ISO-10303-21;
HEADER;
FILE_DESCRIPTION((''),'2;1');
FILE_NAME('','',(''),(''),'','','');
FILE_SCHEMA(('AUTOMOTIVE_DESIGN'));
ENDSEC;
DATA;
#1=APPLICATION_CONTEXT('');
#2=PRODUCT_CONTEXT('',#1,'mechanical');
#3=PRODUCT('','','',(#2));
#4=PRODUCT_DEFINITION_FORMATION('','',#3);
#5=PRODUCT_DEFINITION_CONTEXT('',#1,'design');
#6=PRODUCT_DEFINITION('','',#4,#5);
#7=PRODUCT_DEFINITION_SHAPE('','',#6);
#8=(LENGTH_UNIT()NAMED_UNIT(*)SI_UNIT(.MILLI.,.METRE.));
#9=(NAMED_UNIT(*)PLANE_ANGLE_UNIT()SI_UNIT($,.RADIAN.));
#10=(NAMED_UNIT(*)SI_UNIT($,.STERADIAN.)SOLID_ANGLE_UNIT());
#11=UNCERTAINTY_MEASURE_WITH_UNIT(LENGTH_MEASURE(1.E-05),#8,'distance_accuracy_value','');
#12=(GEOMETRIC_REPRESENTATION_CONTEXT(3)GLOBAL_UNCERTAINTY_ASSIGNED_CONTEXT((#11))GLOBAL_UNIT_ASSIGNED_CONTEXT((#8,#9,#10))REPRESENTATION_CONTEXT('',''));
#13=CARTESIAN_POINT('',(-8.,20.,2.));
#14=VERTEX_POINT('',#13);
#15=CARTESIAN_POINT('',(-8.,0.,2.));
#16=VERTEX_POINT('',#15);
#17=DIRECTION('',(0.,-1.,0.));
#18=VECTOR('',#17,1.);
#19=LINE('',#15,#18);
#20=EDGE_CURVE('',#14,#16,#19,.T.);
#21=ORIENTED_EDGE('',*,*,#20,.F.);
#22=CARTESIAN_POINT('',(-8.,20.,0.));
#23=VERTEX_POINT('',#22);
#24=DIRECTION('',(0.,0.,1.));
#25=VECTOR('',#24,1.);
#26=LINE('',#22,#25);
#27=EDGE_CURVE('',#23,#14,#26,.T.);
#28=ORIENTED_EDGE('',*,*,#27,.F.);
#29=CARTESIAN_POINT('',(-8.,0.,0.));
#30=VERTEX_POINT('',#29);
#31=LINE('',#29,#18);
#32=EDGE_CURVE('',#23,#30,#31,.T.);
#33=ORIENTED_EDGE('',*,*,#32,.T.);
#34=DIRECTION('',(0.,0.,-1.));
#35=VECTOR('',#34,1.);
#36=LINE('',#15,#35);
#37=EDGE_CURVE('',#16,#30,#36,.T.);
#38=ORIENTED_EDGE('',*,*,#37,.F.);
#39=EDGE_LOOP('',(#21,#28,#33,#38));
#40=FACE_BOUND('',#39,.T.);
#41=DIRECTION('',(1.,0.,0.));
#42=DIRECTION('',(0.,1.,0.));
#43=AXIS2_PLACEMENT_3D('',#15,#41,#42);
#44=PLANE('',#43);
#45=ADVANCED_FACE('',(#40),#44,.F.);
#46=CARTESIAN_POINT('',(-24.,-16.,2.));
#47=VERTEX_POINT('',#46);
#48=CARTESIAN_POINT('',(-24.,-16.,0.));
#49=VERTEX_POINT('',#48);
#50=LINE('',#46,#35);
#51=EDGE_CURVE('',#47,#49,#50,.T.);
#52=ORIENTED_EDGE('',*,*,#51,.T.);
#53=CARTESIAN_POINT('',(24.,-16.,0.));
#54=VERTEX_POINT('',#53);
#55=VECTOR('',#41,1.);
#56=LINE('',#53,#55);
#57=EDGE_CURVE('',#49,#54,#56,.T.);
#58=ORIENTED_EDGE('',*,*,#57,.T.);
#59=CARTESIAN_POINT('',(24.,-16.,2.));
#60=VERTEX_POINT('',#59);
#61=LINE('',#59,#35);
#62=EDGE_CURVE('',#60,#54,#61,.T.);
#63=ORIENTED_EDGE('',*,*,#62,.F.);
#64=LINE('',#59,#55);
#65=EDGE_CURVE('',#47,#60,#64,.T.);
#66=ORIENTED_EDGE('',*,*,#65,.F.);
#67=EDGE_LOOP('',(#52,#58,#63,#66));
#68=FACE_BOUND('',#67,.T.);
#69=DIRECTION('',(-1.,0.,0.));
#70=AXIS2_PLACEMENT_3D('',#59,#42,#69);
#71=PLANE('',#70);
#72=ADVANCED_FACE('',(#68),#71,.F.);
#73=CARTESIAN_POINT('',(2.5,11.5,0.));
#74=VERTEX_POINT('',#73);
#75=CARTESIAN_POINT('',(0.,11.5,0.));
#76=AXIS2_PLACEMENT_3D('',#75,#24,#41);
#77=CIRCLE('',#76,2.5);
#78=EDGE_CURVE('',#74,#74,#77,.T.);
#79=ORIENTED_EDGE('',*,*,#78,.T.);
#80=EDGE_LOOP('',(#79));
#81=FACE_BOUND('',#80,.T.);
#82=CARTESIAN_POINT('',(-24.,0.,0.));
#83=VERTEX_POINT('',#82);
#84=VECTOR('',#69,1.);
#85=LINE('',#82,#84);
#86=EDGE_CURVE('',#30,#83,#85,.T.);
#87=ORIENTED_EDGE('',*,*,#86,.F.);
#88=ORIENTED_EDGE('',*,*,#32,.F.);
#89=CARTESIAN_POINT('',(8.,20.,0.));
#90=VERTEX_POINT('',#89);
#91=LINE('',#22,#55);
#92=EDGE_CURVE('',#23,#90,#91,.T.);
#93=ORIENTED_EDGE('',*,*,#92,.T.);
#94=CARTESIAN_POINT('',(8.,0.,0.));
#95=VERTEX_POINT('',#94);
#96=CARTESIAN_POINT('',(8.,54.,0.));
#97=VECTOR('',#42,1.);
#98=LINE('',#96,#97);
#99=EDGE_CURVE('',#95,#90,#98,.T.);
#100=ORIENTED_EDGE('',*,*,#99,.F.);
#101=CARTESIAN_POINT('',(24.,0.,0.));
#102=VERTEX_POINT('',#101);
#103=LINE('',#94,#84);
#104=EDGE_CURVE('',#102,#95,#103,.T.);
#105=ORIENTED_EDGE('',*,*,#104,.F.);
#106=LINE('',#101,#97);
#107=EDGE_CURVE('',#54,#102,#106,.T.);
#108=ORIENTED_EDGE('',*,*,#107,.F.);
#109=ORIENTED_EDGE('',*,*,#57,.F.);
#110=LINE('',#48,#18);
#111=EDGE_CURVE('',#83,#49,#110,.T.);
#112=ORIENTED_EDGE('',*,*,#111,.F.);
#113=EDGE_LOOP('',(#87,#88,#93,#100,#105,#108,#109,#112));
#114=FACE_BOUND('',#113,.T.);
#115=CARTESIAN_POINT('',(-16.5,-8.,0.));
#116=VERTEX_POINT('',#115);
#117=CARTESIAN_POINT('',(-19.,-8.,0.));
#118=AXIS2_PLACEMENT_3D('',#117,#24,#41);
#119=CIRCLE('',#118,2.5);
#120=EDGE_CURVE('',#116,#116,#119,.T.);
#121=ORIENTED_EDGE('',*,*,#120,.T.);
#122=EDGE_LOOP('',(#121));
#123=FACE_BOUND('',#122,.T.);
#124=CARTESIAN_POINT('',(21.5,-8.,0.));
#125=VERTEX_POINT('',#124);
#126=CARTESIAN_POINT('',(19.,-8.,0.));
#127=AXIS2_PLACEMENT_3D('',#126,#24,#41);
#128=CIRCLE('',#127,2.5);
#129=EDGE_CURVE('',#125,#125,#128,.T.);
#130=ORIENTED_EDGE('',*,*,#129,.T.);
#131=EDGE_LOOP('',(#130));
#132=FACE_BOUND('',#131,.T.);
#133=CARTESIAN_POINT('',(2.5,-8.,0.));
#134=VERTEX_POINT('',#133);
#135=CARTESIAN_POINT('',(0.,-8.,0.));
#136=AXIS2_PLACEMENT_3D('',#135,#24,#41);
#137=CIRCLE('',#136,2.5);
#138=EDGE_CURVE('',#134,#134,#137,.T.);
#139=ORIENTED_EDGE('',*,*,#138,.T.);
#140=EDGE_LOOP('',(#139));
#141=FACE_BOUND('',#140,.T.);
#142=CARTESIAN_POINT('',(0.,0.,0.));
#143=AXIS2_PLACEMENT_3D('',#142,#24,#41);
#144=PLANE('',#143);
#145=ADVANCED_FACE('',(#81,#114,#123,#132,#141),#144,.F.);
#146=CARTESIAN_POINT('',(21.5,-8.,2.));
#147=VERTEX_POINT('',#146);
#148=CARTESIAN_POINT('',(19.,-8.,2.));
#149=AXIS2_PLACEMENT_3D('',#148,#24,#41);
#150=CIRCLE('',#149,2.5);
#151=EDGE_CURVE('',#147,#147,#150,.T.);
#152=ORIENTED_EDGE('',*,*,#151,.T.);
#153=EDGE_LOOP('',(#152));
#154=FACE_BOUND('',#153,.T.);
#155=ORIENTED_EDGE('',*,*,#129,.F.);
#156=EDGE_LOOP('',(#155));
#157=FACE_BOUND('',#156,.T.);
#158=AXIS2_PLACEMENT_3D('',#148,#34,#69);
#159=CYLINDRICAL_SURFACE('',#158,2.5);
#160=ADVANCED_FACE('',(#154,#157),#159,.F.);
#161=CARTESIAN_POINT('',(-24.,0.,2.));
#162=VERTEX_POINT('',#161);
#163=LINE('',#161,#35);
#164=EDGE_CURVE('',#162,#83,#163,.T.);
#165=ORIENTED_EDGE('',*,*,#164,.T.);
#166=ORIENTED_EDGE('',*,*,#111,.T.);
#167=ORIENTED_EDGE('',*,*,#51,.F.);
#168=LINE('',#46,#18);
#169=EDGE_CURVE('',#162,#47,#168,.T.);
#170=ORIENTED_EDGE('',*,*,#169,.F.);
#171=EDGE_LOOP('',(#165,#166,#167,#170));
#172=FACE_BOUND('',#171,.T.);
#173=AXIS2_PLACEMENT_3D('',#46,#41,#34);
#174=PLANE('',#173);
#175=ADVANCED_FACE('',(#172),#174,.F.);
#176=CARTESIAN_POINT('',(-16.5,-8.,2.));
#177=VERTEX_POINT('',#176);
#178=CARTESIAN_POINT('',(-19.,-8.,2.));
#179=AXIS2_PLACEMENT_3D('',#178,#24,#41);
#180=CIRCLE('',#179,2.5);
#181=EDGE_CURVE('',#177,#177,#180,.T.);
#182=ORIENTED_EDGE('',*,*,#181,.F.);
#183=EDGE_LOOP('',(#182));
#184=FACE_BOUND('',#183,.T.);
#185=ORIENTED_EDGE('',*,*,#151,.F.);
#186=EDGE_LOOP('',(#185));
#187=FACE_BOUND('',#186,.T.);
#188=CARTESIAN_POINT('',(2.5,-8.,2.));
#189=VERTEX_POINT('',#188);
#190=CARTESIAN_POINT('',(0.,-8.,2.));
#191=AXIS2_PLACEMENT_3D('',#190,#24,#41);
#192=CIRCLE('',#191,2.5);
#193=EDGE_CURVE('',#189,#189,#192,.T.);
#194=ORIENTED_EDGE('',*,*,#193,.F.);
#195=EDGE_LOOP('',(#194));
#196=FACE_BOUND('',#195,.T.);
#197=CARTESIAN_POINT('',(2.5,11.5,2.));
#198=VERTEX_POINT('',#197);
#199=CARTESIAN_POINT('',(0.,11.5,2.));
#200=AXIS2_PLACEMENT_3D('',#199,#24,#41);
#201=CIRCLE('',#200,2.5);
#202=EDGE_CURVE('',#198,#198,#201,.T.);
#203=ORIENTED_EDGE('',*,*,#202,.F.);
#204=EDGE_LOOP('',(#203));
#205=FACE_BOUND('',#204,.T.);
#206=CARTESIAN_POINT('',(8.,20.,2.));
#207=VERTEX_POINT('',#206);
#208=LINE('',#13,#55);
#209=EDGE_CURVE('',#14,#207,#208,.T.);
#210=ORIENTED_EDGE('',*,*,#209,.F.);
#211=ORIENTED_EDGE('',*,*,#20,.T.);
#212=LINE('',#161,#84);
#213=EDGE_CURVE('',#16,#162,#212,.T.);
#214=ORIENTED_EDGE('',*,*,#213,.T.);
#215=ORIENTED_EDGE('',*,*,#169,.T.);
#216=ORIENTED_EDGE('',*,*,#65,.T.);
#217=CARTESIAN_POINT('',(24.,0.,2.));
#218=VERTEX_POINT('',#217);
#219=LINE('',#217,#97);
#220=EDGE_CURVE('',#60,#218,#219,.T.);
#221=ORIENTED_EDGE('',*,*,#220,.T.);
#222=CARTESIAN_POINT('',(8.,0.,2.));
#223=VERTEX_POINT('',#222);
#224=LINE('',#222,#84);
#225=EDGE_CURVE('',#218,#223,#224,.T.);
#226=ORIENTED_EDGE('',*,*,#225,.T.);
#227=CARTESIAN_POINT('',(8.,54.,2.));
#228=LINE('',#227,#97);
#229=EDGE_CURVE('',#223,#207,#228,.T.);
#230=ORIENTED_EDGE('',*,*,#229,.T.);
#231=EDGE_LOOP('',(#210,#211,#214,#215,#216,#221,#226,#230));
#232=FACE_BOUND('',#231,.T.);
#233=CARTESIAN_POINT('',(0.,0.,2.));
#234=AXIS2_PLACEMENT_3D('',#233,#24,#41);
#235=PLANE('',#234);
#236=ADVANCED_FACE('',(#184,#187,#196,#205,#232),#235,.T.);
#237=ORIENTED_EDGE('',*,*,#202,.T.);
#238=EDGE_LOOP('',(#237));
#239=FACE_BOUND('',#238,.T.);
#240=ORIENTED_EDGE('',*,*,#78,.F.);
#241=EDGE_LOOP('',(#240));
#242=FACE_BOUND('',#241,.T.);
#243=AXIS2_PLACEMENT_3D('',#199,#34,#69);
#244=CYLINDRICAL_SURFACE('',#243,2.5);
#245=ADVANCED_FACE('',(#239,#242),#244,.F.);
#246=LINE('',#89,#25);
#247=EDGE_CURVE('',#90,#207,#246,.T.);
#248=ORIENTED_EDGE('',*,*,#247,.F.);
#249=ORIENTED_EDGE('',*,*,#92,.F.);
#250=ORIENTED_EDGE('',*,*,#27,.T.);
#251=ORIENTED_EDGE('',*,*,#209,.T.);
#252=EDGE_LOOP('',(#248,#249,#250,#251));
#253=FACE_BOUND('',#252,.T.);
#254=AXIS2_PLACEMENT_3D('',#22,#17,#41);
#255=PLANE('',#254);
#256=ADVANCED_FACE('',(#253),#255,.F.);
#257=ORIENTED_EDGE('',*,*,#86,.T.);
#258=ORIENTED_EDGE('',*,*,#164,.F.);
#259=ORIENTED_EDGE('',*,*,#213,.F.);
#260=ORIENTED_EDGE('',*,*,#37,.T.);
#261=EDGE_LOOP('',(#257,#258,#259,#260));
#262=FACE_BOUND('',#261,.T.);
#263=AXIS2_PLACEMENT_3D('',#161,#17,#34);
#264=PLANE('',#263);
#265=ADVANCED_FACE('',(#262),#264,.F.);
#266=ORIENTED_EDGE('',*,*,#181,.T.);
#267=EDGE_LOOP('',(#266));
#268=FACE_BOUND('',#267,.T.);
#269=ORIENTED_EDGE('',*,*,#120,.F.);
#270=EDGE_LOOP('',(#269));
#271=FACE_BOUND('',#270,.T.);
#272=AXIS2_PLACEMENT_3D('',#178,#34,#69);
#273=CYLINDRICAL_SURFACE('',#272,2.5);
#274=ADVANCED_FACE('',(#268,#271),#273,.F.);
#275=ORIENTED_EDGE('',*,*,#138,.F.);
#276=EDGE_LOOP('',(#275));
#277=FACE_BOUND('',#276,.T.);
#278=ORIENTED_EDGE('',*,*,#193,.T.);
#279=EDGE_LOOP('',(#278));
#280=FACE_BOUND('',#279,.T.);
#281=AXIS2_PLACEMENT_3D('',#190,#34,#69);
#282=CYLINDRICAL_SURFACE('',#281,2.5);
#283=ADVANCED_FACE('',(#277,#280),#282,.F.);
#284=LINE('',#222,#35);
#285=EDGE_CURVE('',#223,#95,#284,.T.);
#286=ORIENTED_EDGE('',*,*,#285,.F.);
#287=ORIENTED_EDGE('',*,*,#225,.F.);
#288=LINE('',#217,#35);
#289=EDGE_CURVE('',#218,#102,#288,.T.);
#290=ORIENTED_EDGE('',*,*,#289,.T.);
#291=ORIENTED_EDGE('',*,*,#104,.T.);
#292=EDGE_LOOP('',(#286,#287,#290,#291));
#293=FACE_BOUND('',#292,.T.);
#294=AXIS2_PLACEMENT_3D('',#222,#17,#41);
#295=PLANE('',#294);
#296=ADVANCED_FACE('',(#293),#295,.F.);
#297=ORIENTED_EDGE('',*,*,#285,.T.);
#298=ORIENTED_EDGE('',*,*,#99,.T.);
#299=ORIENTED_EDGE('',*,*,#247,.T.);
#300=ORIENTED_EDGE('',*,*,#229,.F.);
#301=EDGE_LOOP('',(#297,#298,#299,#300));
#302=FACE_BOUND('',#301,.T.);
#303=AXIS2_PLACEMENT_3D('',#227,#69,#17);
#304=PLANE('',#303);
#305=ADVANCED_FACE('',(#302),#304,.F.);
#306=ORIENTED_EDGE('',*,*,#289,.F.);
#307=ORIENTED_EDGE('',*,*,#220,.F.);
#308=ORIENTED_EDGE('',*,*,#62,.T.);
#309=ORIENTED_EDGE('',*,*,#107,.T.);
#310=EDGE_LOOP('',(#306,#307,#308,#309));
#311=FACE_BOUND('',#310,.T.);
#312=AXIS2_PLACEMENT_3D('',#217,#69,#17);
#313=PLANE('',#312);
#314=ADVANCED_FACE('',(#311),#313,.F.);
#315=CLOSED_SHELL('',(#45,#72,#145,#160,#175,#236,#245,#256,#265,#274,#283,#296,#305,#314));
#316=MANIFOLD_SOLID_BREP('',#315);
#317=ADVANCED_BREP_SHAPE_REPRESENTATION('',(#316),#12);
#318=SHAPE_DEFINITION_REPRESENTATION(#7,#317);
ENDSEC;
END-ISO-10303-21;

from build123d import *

# Parameters (mm, degrees)
SKETCH2_R           = 2.5
EXTRUDE1_DEPTH      = 2
SKETCH_1_W          = 16
SKETCH_1_H          = 34
CUT_EXTRUDE_1_DEPTH = 60.126981996


with BuildPart() as part:
    # Sketch2 → Extrude1 (new body)
    with BuildSketch(Plane.XY):
        Polygon((-8, 0), (-8, 54), (8, 54), (8, 0), (24, 0), (24, -16), (-24, -16), (-24, 0), align=None)
        with Locations((19, -8)):
            Circle(SKETCH2_R, mode=Mode.SUBTRACT)
        with Locations((0, -8)):
            Circle(SKETCH2_R, mode=Mode.SUBTRACT)
        with Locations((-19, -8)):
            Circle(SKETCH2_R, mode=Mode.SUBTRACT)
        with Locations((0, 43.75)):
            Circle(SKETCH2_R, mode=Mode.SUBTRACT)
        with Locations((0, 11.5)):
            Circle(SKETCH2_R, mode=Mode.SUBTRACT)
    extrude(amount=EXTRUDE1_DEPTH)

    # Эскиз1 → Вырез-Вытянуть1 (cut, through all)
    with BuildSketch(Plane.XY.offset(2)):
        with Locations((0, 37)):
            Rectangle(SKETCH_1_W, SKETCH_1_H)
    extrude(amount=-CUT_EXTRUDE_1_DEPTH, mode=Mode.SUBTRACT)


solid = part.part
